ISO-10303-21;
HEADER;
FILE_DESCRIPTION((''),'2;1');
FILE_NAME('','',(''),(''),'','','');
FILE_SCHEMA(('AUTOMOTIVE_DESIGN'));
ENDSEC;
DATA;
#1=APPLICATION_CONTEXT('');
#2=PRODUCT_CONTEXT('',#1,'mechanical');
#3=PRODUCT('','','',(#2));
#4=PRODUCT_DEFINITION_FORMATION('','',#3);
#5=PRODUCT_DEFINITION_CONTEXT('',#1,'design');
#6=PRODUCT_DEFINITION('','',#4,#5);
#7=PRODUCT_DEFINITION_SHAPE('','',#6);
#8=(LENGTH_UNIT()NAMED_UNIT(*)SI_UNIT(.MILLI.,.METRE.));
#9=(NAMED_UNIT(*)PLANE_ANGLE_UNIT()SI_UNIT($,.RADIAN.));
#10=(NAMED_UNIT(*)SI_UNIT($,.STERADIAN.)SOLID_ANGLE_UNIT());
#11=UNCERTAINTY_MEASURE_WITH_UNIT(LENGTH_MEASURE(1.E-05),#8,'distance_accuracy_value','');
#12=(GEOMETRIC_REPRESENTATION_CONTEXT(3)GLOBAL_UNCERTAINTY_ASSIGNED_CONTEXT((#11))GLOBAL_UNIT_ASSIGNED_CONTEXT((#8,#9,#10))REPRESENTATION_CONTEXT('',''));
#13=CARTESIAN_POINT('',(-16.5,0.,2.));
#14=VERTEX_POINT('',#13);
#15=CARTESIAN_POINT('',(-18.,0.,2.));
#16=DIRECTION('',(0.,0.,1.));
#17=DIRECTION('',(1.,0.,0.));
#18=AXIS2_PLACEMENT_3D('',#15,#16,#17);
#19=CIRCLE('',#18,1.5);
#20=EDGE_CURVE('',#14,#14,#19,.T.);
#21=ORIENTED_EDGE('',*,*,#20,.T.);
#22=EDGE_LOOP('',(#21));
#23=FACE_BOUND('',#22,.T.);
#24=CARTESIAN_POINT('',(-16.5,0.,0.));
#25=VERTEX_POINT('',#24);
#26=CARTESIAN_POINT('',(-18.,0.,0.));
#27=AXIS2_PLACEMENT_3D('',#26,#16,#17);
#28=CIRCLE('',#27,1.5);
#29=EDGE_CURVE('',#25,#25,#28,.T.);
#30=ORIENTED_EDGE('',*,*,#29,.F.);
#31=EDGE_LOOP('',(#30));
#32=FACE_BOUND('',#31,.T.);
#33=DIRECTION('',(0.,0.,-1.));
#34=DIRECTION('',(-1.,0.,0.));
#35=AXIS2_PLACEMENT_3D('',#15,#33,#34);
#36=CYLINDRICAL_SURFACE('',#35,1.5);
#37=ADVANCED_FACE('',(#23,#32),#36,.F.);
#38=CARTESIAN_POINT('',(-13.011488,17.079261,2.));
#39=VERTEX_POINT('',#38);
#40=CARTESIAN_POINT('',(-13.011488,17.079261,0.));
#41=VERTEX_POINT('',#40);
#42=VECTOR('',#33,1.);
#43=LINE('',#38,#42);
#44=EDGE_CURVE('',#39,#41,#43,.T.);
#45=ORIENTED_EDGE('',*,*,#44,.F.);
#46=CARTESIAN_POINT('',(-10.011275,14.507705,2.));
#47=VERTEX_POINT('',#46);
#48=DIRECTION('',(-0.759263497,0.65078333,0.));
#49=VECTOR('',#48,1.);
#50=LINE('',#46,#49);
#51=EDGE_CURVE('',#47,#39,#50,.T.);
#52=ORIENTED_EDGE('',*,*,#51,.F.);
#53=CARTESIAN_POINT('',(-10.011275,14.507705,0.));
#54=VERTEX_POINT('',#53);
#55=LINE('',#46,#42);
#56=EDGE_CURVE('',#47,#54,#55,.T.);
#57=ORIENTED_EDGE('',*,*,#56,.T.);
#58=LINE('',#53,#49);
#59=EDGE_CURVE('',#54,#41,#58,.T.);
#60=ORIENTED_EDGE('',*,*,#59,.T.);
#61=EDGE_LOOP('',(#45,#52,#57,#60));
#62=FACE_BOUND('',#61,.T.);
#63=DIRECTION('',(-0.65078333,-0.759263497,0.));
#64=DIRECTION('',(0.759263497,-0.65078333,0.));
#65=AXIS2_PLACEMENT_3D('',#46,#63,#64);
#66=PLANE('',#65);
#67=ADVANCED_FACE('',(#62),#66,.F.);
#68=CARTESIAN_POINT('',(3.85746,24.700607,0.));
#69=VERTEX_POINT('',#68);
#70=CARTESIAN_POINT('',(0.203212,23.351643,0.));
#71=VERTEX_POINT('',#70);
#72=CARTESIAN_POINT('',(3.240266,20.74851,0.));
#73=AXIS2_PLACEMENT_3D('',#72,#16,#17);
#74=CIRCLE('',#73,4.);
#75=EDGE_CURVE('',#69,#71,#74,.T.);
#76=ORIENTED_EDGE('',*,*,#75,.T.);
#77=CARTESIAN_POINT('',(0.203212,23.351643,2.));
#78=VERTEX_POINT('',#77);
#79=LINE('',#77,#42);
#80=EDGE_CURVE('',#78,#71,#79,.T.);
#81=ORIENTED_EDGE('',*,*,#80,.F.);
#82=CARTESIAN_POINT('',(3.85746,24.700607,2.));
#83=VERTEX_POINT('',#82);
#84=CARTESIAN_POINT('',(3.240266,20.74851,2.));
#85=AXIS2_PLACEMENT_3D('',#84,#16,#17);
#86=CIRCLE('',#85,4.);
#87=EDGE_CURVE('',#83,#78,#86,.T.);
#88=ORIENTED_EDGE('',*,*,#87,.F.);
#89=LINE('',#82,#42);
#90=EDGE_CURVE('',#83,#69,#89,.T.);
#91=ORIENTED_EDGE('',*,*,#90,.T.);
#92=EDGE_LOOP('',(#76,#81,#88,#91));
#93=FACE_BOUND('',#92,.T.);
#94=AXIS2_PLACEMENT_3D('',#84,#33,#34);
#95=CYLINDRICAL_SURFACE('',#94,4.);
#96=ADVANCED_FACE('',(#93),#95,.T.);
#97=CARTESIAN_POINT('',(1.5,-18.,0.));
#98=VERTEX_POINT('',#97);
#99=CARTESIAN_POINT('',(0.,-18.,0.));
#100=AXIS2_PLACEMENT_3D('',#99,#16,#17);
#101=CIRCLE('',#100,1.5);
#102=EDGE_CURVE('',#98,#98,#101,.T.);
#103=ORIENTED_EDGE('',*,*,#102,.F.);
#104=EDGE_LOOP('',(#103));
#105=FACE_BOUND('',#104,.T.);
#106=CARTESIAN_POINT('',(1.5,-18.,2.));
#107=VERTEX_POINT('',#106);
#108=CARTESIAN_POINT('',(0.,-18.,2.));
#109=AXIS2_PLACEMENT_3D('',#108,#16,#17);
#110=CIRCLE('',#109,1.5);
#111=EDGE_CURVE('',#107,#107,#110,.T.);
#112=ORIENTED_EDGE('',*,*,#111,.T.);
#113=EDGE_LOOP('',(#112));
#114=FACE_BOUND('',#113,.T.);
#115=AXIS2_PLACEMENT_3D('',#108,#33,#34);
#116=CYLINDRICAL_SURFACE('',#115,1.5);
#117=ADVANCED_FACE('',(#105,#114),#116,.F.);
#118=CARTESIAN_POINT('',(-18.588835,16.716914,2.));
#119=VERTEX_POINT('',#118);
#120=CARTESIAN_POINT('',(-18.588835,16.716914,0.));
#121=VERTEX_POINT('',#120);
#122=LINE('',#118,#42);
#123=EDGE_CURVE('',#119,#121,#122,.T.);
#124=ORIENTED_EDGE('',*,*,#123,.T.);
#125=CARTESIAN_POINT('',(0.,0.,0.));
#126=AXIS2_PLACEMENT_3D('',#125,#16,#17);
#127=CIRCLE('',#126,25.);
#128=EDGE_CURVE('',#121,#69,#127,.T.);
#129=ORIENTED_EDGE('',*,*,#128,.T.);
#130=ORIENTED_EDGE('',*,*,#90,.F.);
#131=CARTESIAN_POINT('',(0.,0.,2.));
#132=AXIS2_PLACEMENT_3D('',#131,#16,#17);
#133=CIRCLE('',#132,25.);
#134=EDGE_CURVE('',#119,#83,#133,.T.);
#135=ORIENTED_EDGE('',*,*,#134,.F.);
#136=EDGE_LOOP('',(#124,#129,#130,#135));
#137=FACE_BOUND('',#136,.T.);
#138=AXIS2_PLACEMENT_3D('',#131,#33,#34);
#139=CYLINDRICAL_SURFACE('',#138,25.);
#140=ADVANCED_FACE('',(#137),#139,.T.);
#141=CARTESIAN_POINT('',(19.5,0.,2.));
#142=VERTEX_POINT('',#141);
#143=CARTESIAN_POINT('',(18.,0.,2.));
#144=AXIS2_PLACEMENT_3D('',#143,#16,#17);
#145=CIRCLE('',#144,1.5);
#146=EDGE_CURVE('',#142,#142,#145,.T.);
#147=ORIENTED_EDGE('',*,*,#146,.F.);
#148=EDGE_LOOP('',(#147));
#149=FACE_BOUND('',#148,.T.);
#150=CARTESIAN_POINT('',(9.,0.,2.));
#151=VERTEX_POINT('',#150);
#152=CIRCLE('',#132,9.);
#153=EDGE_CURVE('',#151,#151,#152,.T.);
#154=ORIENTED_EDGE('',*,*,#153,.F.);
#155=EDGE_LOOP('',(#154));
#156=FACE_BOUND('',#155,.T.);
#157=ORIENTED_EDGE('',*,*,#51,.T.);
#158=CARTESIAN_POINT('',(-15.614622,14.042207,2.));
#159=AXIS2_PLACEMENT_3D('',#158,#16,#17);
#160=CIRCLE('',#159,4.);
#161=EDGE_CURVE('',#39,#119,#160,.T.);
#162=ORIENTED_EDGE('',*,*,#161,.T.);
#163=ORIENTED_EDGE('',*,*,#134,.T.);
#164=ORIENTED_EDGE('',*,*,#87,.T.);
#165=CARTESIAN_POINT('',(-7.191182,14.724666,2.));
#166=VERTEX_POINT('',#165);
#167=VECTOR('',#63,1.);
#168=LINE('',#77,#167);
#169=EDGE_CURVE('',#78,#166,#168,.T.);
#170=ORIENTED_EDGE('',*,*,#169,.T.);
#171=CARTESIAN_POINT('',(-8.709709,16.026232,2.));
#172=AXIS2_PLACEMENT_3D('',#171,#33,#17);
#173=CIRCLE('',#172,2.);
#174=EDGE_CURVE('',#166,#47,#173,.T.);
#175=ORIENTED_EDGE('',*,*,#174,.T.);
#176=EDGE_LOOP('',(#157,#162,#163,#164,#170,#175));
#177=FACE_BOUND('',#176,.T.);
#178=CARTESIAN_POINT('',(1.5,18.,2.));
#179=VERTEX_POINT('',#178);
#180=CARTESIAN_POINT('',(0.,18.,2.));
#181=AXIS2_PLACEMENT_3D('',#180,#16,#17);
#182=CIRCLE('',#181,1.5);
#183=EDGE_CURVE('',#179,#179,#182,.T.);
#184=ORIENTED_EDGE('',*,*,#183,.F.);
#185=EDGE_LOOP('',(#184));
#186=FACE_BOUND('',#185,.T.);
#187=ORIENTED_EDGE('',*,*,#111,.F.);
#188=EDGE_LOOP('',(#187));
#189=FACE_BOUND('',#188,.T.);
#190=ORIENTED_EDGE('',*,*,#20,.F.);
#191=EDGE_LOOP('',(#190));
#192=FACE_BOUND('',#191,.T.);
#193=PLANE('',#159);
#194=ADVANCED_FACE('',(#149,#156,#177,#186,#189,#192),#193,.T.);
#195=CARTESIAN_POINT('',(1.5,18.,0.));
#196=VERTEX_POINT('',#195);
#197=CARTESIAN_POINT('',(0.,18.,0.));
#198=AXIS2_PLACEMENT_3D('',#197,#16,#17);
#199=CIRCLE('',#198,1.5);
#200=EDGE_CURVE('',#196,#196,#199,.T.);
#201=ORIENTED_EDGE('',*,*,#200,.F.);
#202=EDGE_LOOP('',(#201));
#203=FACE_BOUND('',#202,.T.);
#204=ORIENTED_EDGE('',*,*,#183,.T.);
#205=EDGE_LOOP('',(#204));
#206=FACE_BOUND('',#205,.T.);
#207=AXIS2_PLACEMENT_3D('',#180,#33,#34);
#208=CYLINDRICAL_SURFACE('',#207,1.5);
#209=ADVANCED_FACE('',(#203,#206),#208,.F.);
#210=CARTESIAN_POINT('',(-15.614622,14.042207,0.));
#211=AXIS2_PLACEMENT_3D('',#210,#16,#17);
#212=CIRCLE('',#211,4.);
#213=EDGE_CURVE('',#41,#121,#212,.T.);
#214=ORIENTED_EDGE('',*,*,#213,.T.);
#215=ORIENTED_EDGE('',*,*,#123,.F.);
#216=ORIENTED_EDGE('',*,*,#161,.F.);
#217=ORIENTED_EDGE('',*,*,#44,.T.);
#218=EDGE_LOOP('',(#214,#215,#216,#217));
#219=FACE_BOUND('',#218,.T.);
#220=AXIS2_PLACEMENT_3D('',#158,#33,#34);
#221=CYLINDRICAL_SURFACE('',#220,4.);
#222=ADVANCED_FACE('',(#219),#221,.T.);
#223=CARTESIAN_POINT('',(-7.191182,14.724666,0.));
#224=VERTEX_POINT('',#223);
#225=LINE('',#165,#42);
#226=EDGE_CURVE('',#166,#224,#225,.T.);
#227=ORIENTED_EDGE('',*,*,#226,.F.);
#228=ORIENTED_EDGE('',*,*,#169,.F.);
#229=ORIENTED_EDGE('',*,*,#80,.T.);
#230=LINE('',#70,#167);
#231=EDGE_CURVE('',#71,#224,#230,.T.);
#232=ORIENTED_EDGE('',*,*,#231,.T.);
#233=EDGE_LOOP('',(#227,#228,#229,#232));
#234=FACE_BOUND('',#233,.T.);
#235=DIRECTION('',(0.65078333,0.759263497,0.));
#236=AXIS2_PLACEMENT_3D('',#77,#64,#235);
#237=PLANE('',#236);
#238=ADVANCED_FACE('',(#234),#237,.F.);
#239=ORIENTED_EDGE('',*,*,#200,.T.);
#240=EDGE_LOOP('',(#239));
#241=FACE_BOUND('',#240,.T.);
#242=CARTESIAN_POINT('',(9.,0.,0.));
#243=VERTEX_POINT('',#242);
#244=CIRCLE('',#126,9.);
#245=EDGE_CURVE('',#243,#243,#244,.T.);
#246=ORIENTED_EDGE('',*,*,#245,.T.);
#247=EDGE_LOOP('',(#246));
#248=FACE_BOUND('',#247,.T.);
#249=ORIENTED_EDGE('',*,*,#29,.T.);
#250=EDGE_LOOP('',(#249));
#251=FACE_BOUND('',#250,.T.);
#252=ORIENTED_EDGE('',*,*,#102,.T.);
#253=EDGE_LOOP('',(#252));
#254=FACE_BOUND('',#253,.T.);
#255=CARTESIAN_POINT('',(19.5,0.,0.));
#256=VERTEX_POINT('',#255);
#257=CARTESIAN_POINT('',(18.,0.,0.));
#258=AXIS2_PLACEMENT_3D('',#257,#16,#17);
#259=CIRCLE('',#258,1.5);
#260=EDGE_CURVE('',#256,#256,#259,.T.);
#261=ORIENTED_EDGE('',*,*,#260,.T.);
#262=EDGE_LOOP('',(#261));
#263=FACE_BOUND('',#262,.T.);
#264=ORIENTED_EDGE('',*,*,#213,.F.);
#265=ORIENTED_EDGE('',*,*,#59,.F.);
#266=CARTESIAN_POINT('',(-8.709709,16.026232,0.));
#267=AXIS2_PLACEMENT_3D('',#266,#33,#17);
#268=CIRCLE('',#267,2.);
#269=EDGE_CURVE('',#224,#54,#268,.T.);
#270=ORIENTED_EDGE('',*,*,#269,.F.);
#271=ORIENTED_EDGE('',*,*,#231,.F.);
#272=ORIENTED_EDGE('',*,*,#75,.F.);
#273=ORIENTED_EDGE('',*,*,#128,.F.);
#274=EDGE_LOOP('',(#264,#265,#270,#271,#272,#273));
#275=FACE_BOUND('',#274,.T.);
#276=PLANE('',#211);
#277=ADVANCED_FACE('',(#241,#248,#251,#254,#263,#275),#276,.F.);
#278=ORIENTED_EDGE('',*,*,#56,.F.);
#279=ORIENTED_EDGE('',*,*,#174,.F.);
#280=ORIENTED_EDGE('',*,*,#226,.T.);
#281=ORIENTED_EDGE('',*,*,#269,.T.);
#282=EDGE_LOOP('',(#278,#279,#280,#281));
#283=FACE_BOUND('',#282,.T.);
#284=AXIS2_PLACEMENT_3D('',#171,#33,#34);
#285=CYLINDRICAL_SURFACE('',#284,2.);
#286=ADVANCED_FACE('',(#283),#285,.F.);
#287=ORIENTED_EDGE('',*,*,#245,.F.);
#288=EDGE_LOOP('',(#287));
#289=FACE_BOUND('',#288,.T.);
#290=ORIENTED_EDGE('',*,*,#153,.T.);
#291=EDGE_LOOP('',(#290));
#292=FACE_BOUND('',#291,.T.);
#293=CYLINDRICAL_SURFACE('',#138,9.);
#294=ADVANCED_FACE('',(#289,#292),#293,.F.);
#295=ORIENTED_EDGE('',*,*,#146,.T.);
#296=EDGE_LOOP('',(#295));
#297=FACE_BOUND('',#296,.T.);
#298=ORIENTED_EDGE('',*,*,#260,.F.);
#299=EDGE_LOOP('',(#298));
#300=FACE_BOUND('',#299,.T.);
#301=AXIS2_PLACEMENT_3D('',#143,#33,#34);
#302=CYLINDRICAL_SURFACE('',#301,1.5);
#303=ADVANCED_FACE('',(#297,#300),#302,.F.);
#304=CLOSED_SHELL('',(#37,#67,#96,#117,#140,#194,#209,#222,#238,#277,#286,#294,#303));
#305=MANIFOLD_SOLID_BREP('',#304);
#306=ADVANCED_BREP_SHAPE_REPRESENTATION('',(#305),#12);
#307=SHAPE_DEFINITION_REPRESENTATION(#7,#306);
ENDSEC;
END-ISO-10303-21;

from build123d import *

# Parameters (mm, degrees)
MODEL_R         = 1.5
MODEL_R_2       = 9
EXTRUDE_1_DEPTH = 2


with BuildPart() as part:
    # Model → 凸台-拉伸1 (new body)
    with BuildSketch(Plane.XY):
        with BuildLine():
            Line((0.203212392, 23.351643478), (-7.191181553, 14.724665579))
            ThreePointArc((-7.191181553, 14.724665579), (-8.556294423, 14.032124893), (-10.011275206, 14.507705245))
            Line((-10.011275206, 14.507705245), (-13.011488382, 17.079261403))
            ThreePointArc((-13.011488382, 17.079261403), (-15.873946091, 18.033792422), (-18.588835359, 16.71691359))
            ThreePointArc((-18.588835359, 16.71691359), (8.377839615, -23.554443389), (3.857459976, 24.700607331))
            ThreePointArc((3.857459976, 24.700607331), (1.855038258, 24.500995075), (0.203212392, 23.351643478))
        make_face()
        with Locations((-18, 0)):
            Circle(MODEL_R, mode=Mode.SUBTRACT)
        with Locations((18, 0)):
            Circle(MODEL_R, mode=Mode.SUBTRACT)
        Circle(MODEL_R_2, mode=Mode.SUBTRACT)
        with Locations((0, 18)):
            Circle(MODEL_R, mode=Mode.SUBTRACT)
        with Locations((0, -18)):
            Circle(MODEL_R, mode=Mode.SUBTRACT)
    extrude(amount=EXTRUDE_1_DEPTH)


solid = part.part
